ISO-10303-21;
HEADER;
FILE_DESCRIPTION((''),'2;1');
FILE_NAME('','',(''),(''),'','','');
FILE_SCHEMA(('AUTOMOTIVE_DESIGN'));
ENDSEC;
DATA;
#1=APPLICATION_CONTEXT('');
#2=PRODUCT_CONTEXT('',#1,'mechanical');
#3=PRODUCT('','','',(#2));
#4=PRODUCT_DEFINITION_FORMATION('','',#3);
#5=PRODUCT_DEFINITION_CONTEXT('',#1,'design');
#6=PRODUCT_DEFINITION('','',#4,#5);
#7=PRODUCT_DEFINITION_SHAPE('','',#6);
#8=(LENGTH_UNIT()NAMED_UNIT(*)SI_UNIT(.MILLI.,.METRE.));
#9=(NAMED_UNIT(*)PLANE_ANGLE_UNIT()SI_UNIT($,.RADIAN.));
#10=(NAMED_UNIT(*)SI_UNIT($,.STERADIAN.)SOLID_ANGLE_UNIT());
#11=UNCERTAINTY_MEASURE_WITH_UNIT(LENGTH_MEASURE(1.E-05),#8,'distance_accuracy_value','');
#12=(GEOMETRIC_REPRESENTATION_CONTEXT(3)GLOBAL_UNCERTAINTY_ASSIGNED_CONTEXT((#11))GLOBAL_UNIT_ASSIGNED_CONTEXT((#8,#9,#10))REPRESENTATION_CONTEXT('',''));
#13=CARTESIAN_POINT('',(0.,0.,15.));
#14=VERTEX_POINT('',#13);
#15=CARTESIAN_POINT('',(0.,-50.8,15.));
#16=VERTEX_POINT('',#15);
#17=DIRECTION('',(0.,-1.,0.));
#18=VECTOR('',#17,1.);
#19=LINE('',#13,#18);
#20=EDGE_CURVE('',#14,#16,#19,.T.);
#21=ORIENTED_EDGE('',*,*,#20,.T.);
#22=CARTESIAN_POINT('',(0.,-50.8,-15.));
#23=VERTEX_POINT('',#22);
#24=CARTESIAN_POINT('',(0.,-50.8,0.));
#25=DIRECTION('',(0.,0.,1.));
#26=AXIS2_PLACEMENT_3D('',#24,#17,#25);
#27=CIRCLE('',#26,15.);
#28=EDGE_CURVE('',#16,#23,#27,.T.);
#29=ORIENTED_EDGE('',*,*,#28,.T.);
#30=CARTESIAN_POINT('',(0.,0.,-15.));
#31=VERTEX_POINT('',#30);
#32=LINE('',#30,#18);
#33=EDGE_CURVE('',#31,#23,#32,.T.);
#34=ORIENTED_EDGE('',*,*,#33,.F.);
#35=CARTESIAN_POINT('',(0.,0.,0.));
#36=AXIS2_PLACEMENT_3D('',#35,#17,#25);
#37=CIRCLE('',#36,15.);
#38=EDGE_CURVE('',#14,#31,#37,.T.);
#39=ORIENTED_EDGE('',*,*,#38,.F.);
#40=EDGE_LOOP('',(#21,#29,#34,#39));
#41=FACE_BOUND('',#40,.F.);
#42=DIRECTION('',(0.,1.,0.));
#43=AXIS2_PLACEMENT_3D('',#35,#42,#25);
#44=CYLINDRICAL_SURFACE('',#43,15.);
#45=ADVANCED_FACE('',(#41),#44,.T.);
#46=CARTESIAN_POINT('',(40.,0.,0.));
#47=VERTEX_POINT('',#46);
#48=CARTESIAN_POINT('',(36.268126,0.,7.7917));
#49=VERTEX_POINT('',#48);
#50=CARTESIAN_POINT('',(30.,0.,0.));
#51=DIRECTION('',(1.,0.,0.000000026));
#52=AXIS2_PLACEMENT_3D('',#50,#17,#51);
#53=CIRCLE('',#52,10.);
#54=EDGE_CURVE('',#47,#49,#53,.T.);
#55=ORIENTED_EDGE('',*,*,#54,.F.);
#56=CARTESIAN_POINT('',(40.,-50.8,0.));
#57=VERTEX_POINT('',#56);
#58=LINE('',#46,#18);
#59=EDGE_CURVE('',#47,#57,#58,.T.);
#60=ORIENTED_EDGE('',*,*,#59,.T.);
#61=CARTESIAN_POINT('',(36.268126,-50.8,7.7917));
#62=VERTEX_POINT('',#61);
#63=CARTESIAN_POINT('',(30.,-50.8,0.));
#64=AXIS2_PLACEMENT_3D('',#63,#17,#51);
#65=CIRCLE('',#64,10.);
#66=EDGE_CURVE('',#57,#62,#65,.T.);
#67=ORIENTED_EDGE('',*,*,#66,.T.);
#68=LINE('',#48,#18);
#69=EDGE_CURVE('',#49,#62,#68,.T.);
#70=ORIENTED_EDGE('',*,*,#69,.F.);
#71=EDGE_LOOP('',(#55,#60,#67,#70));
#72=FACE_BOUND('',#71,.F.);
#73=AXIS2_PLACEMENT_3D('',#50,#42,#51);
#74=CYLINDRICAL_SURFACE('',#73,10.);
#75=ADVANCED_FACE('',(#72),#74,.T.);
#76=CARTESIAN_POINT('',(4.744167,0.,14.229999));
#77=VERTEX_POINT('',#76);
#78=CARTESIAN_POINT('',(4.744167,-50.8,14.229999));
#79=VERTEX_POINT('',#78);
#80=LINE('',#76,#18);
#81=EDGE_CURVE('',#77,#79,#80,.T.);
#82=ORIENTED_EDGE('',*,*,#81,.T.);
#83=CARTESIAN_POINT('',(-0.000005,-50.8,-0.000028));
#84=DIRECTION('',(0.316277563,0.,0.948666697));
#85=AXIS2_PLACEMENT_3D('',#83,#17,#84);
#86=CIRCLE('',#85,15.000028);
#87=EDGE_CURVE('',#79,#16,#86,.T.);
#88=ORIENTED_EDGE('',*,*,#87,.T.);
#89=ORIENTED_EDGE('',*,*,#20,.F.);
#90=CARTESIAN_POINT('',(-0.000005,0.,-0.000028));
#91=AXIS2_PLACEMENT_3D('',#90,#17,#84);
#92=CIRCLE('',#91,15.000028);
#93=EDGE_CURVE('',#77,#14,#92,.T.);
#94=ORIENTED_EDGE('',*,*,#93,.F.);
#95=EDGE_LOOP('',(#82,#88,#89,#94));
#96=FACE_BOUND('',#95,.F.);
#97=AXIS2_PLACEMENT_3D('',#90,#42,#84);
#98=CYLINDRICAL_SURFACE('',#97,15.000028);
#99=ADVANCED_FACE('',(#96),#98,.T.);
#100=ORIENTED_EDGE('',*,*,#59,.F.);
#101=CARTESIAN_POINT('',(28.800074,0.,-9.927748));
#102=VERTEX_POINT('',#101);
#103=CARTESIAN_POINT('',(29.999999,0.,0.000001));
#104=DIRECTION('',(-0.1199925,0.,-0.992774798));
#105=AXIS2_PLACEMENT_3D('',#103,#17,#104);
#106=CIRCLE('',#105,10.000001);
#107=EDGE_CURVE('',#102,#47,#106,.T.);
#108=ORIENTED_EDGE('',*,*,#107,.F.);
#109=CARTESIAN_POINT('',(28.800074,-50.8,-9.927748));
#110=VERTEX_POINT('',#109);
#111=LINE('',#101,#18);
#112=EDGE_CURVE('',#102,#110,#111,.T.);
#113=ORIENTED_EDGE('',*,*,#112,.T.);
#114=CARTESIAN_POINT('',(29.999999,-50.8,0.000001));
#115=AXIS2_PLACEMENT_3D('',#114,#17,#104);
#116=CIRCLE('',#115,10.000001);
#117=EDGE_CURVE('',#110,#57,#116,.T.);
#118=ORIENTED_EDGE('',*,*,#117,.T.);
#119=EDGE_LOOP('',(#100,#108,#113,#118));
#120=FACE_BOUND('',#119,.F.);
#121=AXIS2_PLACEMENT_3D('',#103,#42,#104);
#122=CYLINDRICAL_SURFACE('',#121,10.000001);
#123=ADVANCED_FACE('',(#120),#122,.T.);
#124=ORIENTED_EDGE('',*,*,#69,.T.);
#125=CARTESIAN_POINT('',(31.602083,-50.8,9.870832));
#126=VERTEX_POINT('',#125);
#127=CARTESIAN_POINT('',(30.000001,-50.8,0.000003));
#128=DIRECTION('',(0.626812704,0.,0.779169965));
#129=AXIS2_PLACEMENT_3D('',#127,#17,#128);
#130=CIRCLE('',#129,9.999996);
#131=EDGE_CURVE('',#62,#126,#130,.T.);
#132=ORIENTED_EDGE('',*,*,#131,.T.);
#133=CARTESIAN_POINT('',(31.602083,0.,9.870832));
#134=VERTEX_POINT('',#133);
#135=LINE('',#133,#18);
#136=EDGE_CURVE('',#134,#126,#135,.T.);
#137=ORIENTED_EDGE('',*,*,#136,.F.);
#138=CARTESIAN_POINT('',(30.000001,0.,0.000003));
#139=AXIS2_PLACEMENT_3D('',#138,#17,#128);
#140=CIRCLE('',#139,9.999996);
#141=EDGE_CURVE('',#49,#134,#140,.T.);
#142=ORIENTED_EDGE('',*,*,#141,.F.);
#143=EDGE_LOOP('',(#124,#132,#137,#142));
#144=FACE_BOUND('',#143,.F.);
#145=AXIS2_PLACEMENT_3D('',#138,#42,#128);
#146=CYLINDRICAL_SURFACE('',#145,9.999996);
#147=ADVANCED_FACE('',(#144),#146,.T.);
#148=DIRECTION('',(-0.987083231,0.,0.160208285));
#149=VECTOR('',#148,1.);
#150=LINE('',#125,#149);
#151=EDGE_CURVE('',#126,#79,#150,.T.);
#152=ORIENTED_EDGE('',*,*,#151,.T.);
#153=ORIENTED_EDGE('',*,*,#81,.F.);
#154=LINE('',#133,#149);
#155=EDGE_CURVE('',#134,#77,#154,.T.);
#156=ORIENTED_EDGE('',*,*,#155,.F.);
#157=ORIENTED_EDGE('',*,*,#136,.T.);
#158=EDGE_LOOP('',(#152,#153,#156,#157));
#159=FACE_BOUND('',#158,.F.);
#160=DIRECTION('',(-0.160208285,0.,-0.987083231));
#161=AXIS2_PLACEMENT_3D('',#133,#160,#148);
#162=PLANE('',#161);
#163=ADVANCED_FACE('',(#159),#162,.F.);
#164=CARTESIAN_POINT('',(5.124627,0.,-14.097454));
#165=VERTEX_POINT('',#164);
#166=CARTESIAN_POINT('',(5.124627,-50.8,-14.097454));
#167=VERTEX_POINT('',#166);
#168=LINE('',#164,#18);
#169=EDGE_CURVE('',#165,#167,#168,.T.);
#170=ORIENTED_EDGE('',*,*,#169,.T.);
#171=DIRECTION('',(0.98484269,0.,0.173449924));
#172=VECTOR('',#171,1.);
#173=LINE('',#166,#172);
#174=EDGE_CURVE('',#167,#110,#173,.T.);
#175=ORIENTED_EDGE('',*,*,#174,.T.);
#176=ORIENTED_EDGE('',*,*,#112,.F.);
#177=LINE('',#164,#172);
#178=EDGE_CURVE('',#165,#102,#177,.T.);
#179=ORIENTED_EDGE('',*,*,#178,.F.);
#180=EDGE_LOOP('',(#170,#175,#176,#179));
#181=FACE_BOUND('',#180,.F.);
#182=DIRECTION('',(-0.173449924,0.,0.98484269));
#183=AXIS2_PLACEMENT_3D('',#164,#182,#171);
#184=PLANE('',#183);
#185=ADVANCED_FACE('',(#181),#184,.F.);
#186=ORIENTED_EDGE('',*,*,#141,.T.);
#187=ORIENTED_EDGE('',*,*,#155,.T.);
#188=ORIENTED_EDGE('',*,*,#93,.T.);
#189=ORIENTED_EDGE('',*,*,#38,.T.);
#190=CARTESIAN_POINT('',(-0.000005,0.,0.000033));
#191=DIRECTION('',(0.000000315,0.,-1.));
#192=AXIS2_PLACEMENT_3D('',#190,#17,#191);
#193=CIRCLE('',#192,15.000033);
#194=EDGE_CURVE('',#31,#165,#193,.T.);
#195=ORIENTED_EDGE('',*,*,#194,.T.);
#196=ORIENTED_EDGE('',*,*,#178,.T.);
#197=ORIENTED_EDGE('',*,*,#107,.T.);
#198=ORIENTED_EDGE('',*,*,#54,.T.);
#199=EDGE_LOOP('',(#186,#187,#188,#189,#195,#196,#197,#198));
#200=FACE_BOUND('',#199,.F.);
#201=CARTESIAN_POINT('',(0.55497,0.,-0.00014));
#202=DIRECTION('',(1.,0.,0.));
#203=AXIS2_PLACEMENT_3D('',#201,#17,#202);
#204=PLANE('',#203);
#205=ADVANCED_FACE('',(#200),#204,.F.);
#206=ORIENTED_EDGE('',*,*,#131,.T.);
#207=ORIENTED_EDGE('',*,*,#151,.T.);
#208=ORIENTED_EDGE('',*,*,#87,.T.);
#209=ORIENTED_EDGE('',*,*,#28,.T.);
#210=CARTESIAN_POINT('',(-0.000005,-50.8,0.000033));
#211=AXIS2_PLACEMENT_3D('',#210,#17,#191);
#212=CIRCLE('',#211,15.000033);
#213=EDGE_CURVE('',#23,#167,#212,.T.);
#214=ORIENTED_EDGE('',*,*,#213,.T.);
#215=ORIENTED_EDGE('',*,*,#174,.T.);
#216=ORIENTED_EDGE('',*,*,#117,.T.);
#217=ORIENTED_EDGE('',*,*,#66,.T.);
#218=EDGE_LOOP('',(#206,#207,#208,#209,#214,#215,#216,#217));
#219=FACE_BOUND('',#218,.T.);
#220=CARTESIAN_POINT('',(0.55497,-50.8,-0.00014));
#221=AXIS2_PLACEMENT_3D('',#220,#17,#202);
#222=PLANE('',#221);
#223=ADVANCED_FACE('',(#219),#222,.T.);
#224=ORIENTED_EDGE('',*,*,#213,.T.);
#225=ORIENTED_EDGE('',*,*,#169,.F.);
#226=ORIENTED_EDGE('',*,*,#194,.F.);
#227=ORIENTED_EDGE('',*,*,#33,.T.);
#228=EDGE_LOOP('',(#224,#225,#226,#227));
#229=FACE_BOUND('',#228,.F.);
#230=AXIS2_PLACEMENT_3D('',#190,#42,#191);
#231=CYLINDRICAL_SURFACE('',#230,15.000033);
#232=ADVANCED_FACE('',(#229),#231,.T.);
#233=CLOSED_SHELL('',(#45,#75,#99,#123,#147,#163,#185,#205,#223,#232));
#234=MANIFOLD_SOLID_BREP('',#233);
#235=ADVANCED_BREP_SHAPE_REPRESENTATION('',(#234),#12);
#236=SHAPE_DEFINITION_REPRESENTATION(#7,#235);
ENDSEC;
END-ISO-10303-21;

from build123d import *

# Parameters (mm, degrees)
F1_DEPTH = 50.8


with BuildPart() as f1:
    # F0 (on Front) → F1 (new body)
    with BuildSketch(Plane.XZ):
        with BuildLine():
            Line((4.744167, 14.229999), (0, 15))
            ThreePointArc((0, 15), (-15, 0), (0, -15))
            Line((0, -15), (5.124627, -14.097454))
            ThreePointArc((5.124627, -14.097454), (12.285548, -8.60612), (15, 0))
            ThreePointArc((15, 0), (12.168864, 8.770333), (4.744167, 14.229999))
        make_face()
        with BuildLine():
            ThreePointArc((4.744167, 14.229999), (2.403124, 14.806248), (0, 15))
            Line((0, 15), (4.744167, 14.229999))
        make_face()
        with BuildLine():
            Line((5.124627, -14.097454), (0, -15))
            ThreePointArc((0, -15), (2.601749, -14.77264), (5.124627, -14.097454))
        make_face()
        with BuildLine():
            Line((31.602083, 9.870832), (4.744167, 14.229999))
            ThreePointArc((4.744167, 14.229999), (12.168864, 8.770333), (15, 0))
            ThreePointArc((15, 0), (12.285548, -8.60612), (5.124627, -14.097454))
            Line((5.124627, -14.097454), (28.800074, -9.927748))
            ThreePointArc((28.800074, -9.927748), (20.098668, 1.401293), (31.602083, 9.870832))
        make_face()
        with BuildLine():
            ThreePointArc((36.268126, 7.7917), (34.070104, 9.134235), (31.602083, 9.870832))
            ThreePointArc((31.602083, 9.870832), (20.098668, 1.401293), (28.800074, -9.927748))
            ThreePointArc((28.800074, -9.927748), (36.633277, -7.48329), (40, 0))
            ThreePointArc((40, 0), (39.018904, 4.319649), (36.268126, 7.7917))
        make_face()
    extrude(amount=F1_DEPTH)


solid = f1.part
